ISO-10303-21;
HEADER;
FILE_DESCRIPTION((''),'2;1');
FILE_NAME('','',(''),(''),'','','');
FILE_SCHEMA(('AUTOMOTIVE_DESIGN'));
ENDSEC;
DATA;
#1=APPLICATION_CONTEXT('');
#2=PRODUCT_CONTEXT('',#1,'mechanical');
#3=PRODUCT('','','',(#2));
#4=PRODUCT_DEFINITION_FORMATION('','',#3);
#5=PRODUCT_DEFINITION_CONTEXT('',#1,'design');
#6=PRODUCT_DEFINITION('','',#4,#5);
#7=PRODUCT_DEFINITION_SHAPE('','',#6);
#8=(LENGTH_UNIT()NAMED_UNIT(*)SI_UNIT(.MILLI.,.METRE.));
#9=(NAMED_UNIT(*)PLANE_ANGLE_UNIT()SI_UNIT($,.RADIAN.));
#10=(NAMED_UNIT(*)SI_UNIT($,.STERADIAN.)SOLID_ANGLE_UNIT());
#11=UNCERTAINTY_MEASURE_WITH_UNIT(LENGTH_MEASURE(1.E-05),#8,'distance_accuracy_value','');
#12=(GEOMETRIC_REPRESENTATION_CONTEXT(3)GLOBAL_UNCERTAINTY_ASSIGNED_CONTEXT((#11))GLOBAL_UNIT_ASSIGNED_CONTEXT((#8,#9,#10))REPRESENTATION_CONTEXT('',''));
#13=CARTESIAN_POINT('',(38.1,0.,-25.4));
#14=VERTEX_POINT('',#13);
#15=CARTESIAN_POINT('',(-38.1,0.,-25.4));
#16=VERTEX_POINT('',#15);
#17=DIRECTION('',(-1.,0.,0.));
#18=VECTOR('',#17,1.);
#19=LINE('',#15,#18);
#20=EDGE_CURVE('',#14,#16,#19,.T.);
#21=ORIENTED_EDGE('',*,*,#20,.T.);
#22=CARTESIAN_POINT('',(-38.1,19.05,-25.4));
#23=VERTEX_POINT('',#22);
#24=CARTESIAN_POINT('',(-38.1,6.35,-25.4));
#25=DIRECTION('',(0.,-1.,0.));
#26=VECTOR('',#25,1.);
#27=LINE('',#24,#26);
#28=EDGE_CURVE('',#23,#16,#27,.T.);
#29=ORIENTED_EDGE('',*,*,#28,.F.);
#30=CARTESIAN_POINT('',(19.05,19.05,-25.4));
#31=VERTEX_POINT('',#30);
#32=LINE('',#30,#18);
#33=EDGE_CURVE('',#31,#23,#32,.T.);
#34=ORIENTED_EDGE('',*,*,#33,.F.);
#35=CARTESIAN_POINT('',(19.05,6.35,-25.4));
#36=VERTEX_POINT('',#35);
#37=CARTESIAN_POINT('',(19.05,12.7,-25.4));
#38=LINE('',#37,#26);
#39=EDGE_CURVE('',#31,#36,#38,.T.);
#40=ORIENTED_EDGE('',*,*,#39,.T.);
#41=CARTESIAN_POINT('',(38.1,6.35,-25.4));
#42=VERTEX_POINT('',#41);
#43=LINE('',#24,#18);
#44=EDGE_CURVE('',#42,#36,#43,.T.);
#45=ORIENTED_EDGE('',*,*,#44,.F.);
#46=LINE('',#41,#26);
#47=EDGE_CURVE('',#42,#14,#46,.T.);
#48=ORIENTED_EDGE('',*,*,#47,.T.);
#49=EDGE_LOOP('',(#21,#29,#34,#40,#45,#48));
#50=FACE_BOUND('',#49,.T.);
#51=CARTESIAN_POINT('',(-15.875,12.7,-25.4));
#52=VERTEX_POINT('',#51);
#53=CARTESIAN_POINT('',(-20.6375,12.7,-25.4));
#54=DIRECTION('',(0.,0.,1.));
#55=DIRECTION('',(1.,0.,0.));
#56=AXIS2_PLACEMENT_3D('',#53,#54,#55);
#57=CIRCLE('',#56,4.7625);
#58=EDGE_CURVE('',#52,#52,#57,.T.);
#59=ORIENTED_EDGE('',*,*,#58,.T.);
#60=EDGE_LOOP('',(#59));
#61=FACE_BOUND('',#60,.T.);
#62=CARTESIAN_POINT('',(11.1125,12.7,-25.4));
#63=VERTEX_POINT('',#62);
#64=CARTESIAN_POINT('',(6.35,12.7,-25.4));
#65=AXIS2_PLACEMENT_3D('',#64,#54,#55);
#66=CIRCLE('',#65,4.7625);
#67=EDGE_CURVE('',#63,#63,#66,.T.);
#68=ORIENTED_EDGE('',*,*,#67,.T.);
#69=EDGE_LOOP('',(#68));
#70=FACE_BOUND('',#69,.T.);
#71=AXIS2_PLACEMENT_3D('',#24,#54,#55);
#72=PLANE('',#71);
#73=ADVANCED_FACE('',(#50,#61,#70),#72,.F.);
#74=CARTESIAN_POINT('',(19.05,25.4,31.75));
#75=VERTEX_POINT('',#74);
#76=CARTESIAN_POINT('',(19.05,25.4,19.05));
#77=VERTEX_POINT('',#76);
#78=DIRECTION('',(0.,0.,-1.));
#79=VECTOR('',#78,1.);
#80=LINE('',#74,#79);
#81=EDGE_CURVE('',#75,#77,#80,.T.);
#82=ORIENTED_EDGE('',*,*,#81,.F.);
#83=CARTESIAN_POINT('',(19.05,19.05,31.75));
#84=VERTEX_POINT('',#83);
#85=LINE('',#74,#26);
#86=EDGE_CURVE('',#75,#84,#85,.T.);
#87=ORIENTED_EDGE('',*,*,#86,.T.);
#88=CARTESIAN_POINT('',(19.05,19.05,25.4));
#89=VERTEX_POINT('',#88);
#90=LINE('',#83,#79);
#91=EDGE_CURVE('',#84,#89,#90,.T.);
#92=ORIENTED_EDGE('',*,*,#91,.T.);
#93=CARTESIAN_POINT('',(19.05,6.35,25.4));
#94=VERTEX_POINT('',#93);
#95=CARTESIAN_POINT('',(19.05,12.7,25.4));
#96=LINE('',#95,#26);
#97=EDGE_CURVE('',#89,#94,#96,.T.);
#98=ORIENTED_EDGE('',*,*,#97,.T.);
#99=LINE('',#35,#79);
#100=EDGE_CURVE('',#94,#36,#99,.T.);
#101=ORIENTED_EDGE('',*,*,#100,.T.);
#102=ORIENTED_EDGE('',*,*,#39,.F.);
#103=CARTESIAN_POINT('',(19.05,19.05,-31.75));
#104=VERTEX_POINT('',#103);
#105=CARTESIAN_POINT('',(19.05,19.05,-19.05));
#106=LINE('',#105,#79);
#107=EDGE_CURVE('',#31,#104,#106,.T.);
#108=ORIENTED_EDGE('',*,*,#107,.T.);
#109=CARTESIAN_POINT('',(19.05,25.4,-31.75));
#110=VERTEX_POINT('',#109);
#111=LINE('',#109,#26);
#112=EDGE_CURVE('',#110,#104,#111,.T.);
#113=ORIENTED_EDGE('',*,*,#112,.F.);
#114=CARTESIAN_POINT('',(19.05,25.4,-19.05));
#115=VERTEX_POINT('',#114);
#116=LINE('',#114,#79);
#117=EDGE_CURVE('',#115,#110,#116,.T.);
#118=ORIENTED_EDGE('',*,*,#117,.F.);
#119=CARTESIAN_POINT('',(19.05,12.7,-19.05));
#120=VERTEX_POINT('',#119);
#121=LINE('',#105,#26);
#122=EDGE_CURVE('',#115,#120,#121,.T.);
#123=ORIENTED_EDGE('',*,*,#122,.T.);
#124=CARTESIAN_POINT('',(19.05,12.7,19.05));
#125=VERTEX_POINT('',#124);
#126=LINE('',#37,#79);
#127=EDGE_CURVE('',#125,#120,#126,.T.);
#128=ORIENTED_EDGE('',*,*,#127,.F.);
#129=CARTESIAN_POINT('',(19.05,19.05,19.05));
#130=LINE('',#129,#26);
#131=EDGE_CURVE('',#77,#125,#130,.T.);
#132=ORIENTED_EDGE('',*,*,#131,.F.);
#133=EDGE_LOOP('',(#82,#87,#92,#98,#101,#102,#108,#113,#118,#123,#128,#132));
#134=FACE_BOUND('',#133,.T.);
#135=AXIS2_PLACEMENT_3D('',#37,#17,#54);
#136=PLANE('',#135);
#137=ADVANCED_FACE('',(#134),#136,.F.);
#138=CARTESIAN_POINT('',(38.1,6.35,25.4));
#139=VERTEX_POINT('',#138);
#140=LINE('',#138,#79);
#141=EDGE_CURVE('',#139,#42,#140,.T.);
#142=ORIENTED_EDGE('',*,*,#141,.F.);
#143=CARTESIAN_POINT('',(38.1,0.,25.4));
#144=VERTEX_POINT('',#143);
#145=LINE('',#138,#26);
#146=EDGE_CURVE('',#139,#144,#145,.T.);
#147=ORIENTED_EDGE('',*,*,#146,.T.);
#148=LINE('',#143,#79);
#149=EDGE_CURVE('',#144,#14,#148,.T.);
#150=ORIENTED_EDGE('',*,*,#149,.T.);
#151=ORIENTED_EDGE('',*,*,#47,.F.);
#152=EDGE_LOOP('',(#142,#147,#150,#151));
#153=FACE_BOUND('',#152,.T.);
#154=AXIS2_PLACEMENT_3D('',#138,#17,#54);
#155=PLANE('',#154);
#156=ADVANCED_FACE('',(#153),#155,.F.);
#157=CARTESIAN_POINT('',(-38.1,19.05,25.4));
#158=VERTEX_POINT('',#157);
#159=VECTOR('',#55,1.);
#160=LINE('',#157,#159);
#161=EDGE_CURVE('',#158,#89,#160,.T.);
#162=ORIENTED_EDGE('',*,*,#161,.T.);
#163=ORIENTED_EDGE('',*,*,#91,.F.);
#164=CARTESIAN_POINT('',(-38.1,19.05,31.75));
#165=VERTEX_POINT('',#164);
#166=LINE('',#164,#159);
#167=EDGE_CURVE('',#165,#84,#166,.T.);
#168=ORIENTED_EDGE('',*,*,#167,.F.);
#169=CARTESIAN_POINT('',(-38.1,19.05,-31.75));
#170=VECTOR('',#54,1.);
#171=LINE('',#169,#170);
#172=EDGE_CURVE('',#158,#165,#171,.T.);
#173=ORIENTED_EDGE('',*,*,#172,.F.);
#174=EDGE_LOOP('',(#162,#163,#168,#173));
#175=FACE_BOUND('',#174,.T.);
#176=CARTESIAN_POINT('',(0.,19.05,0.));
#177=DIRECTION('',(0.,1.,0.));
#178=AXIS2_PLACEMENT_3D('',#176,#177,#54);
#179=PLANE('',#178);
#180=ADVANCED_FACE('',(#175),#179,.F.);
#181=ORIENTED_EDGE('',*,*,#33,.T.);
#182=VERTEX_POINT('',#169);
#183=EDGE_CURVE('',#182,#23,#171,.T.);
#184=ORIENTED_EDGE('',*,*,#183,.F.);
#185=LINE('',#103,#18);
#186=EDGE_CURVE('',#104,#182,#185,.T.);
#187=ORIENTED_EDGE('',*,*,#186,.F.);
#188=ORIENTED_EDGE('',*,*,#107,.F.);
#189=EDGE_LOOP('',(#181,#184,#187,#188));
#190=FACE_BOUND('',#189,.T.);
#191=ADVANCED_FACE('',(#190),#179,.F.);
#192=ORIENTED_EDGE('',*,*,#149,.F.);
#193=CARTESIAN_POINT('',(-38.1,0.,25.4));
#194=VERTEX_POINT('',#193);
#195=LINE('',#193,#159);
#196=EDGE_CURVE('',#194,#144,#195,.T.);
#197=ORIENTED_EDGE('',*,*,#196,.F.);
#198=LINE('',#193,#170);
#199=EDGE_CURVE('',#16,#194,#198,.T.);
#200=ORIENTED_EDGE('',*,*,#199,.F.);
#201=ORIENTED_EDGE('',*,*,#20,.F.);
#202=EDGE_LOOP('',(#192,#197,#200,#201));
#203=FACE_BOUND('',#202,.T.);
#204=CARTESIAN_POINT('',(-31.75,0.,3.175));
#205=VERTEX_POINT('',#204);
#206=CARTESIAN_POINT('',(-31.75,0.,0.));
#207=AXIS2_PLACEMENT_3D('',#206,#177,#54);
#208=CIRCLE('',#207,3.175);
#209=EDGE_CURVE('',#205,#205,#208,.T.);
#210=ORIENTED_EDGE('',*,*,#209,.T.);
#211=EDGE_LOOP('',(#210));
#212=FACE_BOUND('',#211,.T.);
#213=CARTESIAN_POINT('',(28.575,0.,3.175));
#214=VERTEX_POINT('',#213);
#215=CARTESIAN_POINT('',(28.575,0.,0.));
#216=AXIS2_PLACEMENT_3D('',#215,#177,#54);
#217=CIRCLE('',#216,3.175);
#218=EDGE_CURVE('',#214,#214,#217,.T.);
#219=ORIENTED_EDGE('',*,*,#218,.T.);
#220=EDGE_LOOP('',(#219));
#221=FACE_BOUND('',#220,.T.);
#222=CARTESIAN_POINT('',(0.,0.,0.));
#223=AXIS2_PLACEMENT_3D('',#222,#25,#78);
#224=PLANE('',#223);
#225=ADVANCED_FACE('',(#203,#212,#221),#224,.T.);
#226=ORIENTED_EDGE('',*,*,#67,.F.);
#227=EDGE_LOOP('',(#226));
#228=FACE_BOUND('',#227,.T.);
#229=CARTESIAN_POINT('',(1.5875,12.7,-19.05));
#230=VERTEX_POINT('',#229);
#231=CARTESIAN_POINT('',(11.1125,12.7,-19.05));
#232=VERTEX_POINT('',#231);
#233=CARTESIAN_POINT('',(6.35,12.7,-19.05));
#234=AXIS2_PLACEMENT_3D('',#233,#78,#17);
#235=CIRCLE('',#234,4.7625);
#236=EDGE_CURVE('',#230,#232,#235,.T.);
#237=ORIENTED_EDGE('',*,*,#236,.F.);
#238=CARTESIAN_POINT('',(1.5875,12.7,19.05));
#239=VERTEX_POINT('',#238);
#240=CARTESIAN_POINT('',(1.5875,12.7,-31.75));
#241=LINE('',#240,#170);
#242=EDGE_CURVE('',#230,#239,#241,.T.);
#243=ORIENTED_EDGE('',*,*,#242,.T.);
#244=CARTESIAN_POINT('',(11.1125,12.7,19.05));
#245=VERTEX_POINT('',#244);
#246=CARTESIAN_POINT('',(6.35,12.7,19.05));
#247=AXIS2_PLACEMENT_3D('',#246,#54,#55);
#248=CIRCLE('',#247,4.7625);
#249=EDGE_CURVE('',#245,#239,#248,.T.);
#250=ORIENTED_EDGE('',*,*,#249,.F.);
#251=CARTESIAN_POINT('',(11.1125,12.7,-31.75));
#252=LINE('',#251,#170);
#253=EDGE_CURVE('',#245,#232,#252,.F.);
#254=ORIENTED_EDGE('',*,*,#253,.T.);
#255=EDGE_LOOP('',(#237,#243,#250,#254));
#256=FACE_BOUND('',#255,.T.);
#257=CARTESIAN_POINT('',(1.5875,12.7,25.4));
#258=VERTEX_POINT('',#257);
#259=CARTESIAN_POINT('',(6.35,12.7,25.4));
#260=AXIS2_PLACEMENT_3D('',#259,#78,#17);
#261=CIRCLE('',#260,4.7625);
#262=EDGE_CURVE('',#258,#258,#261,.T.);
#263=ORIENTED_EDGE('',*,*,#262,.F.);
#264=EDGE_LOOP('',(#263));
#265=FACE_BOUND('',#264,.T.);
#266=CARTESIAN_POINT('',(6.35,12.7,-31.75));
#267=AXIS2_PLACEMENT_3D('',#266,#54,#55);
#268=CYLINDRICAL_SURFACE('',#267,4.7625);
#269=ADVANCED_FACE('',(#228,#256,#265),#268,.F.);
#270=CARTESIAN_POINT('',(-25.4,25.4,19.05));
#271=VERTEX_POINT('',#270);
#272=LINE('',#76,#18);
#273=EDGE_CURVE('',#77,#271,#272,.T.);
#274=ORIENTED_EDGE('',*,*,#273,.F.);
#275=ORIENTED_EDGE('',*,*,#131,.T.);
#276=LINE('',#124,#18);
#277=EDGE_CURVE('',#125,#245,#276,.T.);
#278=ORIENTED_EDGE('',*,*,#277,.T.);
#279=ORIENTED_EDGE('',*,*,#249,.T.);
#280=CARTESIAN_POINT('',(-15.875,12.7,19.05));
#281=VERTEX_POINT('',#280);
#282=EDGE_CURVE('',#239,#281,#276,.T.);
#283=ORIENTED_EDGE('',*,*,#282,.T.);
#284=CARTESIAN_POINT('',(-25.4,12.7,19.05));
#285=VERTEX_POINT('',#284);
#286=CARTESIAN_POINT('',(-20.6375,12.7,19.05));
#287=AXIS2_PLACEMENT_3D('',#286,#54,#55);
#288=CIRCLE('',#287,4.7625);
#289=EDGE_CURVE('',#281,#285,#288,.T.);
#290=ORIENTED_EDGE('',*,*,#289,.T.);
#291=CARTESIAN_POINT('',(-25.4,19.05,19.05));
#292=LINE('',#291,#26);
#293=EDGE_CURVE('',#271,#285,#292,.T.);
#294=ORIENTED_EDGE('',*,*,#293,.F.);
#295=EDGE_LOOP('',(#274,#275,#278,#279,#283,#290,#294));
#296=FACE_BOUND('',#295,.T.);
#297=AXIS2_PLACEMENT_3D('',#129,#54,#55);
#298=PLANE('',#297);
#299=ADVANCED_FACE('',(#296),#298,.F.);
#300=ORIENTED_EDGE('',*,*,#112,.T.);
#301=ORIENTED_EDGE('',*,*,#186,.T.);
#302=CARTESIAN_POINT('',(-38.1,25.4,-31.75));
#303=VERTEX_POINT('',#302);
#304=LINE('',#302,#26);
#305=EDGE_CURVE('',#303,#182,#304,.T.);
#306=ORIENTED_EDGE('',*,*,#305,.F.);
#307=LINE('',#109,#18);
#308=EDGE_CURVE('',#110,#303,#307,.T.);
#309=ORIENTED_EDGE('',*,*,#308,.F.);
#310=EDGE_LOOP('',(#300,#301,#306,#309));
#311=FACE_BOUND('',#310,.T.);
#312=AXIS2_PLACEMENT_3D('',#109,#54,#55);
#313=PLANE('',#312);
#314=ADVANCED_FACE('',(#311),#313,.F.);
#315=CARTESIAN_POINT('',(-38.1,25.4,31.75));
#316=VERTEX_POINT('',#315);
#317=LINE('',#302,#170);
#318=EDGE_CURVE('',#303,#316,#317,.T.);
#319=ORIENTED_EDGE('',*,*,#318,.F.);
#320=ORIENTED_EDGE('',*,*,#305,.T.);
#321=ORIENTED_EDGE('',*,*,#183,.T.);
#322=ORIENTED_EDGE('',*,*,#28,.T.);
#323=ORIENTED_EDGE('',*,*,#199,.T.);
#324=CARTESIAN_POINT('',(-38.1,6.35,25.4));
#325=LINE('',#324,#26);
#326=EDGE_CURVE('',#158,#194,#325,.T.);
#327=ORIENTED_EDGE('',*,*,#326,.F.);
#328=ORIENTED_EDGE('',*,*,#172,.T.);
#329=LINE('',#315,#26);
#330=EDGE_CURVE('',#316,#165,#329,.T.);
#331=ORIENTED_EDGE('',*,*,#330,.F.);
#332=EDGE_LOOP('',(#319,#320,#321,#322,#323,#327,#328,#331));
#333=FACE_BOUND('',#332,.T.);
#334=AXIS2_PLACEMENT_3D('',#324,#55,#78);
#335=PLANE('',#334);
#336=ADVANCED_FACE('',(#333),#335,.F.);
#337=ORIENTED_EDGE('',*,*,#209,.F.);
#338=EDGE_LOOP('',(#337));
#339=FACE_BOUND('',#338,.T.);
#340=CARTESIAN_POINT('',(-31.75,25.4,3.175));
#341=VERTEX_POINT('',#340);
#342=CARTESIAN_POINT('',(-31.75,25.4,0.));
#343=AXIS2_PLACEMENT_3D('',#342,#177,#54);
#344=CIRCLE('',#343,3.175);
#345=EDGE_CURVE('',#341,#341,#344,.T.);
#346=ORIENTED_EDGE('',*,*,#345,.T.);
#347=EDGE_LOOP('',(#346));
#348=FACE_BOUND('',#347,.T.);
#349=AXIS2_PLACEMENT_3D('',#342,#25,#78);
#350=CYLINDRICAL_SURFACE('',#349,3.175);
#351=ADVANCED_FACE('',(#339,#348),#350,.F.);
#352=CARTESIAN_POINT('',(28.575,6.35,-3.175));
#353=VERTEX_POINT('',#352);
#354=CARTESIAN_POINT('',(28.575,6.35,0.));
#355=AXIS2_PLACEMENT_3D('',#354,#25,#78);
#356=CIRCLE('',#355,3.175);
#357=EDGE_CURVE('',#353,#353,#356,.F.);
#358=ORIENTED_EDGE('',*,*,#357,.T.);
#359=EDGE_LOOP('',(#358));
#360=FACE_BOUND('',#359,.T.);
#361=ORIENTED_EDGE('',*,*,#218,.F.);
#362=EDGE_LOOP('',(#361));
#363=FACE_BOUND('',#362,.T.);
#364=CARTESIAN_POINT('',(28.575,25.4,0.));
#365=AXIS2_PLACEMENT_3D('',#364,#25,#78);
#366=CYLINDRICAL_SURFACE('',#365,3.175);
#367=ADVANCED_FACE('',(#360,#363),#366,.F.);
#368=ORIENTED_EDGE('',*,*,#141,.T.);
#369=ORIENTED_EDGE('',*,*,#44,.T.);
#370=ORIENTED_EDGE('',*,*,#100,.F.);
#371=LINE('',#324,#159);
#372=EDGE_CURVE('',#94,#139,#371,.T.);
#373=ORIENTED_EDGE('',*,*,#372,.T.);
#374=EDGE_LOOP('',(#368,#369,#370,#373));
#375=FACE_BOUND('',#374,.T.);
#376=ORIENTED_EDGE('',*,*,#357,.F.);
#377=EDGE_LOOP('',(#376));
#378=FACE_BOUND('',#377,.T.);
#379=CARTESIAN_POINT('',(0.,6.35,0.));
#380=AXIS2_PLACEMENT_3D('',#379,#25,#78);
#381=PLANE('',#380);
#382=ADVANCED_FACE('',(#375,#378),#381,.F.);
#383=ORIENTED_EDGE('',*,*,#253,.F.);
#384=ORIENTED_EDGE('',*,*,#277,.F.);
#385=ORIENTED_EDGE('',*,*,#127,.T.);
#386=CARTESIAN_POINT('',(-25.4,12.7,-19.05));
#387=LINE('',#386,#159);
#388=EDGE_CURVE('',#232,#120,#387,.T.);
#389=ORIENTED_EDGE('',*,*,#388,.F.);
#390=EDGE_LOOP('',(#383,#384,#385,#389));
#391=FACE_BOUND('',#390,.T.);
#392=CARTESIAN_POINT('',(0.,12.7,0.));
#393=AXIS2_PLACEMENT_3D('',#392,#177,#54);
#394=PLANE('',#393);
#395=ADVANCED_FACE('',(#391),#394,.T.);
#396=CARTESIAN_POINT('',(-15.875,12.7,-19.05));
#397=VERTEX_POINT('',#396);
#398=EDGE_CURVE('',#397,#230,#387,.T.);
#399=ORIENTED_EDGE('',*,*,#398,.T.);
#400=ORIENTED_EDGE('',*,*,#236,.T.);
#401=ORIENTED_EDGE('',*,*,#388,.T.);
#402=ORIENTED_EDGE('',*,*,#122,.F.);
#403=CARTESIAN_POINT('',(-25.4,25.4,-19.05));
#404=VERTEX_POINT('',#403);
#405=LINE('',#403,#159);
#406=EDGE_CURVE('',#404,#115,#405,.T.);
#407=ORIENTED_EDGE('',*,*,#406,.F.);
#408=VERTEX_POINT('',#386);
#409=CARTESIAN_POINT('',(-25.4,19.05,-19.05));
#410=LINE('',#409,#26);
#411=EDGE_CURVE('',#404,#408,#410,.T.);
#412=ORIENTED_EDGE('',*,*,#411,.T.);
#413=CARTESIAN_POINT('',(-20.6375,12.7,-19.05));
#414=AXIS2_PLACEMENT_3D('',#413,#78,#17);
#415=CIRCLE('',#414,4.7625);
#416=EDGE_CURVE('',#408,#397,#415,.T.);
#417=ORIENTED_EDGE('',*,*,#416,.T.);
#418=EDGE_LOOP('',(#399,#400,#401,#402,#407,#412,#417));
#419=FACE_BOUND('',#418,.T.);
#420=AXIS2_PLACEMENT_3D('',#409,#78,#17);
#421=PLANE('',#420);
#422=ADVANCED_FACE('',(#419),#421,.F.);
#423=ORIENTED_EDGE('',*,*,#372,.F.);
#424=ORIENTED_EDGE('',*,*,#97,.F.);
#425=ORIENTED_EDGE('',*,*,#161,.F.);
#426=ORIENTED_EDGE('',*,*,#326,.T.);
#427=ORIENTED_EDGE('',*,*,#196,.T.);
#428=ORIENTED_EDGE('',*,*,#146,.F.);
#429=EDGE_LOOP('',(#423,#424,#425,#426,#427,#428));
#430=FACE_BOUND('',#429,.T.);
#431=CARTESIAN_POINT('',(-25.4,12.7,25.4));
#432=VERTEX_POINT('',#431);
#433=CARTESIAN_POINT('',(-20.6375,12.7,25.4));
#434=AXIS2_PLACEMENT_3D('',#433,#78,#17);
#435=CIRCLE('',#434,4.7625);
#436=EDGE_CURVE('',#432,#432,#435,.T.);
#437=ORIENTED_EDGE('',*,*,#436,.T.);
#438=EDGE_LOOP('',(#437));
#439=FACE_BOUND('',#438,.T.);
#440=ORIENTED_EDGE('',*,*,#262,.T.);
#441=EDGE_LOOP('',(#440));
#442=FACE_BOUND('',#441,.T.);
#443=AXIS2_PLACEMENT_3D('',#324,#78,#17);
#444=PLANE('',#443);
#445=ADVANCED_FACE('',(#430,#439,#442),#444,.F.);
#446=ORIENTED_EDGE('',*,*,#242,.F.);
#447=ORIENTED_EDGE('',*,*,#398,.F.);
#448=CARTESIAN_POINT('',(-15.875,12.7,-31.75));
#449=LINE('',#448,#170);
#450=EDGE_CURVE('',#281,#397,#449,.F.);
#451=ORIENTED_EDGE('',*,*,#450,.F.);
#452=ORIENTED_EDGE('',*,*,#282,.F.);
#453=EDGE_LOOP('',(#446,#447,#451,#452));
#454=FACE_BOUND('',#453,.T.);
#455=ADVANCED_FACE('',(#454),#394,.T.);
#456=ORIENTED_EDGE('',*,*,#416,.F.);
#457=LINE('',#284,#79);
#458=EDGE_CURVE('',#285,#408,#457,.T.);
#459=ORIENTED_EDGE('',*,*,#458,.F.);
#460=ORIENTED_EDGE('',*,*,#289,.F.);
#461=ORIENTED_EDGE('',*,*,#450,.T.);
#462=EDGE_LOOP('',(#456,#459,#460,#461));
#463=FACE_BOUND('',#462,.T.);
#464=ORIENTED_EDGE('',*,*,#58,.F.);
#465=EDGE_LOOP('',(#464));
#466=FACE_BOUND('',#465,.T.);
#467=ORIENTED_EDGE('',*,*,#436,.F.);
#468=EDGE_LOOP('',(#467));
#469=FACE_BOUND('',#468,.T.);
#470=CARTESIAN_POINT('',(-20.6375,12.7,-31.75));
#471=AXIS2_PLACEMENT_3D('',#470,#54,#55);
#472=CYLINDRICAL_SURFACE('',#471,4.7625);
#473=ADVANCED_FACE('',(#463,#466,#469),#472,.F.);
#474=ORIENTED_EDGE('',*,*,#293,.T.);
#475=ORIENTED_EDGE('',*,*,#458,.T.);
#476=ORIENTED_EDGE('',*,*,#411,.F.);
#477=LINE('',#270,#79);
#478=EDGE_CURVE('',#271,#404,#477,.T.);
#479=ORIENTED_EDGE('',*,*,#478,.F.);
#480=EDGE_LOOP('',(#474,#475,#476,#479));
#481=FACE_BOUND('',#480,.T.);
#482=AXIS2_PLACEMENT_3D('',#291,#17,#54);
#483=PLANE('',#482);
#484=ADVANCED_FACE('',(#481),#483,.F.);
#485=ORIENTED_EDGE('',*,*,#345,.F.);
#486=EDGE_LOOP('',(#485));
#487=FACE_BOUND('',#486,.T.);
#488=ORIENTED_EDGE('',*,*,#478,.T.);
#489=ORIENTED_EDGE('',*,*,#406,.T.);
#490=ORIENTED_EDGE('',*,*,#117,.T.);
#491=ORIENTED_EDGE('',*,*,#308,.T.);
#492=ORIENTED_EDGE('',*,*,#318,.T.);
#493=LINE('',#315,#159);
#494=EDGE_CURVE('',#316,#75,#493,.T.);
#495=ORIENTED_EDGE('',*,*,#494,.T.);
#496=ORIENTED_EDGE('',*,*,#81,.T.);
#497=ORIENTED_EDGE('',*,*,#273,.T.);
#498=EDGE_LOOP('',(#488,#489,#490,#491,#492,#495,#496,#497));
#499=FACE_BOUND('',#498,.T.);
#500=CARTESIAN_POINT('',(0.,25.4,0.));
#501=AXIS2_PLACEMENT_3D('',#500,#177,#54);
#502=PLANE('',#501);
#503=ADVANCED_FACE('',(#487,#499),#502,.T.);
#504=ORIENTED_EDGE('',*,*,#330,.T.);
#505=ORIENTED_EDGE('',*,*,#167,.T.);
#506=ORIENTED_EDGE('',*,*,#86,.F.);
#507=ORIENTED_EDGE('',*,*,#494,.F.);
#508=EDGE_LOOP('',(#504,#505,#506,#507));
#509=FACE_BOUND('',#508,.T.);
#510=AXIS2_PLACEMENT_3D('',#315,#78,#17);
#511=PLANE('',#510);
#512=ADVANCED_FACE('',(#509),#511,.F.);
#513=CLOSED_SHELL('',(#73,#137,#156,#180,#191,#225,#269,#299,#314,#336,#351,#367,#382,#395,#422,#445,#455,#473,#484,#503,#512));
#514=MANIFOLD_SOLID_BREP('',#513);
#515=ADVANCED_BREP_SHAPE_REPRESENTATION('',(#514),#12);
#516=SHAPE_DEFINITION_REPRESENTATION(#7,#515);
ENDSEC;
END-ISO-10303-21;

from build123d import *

# Parameters (mm, degrees)
SKETCH1_W               = 76.2
SKETCH1_H               = 50.8
BOSS_EXTRUDE1_DEPTH     = 6.35
SKETCH2_W               = 57.15
SKETCH2_H               = 50.8
BOSS_EXTRUDE2_DEPTH     = 6.35
BOSS_EXTRUDE3_DEPTH     = 6.35
BOSS_EXTRUDE4_DEPTH     = 6.35
SKETCH5_R               = 3.175
CUT_EXTRUDE1_DEPTH      = 26.4
SKETCH6_R               = 4.7625
CUT_EXTRUDE2_DEPTH      = 32.75
CUT_EXTRUDE2_DEPTH_BACK = 32.75


with BuildPart() as part:
    # Sketch1 → Boss-Extrude1 (new body)
    with BuildSketch(Plane(origin=(0, 0, 0), x_dir=(1, 0, 0), z_dir=(0, 1, 0))):
        Rectangle(SKETCH1_W, SKETCH1_H)
    extrude(amount=BOSS_EXTRUDE1_DEPTH)

    # Sketch2 → Boss-Extrude2 (add)
    with BuildSketch(Plane(origin=(0, 6.35, 0), x_dir=(1, 0, 0), z_dir=(0, 1, 0))):
        with Locations((-9.525, 0)):
            Rectangle(SKETCH2_W, SKETCH2_H)
    extrude(amount=BOSS_EXTRUDE2_DEPTH)

    # Sketch3 → Boss-Extrude3 (add)
    with BuildSketch(Plane(origin=(0, 12.7, 0), x_dir=(1, 0, 0), z_dir=(0, 1, 0))):
        Polygon((19.05, 25.4), (-38.1, 25.4), (-38.1, -25.4), (19.05, -25.4), (19.05, -19.05), (-25.4, -19.05), (-25.4, 19.05), (19.05, 19.05), align=None)
    extrude(amount=BOSS_EXTRUDE3_DEPTH)

    # Sketch4 → Boss-Extrude4 (add)
    with BuildSketch(Plane(origin=(0, 19.05, 0), x_dir=(1, 0, 0), z_dir=(0, 1, 0))):
        Polygon((19.05, 19.05), (19.05, 31.75), (-38.1, 31.75), (-38.1, -31.75), (19.05, -31.75), (19.05, -19.05), (-25.4, -19.05), (-25.4, 19.05), align=None)
    extrude(amount=BOSS_EXTRUDE4_DEPTH)

    # Sketch5 → Cut-Extrude1 (cut, through all)
    with BuildSketch(Plane(origin=(0, 0, 0), x_dir=(1, 0, 0), z_dir=(0, 1, 0))):
        with Locations((-31.75, 0)):
            Circle(SKETCH5_R)
        with Locations((28.575, 0)):
            Circle(SKETCH5_R)
    extrude(amount=CUT_EXTRUDE1_DEPTH, mode=Mode.SUBTRACT)

    # Sketch6 → Cut-Extrude2 (cut, two sides)
    with BuildSketch(Plane.XY) as cut_extrude2_sk:
        with Locations((-20.6375, 12.7)):
            Circle(SKETCH6_R)
        with Locations((6.35, 12.7)):
            Circle(SKETCH6_R)
    extrude(amount=CUT_EXTRUDE2_DEPTH, mode=Mode.SUBTRACT)
    extrude(cut_extrude2_sk.sketch, amount=-CUT_EXTRUDE2_DEPTH_BACK, mode=Mode.SUBTRACT)


solid = part.part
